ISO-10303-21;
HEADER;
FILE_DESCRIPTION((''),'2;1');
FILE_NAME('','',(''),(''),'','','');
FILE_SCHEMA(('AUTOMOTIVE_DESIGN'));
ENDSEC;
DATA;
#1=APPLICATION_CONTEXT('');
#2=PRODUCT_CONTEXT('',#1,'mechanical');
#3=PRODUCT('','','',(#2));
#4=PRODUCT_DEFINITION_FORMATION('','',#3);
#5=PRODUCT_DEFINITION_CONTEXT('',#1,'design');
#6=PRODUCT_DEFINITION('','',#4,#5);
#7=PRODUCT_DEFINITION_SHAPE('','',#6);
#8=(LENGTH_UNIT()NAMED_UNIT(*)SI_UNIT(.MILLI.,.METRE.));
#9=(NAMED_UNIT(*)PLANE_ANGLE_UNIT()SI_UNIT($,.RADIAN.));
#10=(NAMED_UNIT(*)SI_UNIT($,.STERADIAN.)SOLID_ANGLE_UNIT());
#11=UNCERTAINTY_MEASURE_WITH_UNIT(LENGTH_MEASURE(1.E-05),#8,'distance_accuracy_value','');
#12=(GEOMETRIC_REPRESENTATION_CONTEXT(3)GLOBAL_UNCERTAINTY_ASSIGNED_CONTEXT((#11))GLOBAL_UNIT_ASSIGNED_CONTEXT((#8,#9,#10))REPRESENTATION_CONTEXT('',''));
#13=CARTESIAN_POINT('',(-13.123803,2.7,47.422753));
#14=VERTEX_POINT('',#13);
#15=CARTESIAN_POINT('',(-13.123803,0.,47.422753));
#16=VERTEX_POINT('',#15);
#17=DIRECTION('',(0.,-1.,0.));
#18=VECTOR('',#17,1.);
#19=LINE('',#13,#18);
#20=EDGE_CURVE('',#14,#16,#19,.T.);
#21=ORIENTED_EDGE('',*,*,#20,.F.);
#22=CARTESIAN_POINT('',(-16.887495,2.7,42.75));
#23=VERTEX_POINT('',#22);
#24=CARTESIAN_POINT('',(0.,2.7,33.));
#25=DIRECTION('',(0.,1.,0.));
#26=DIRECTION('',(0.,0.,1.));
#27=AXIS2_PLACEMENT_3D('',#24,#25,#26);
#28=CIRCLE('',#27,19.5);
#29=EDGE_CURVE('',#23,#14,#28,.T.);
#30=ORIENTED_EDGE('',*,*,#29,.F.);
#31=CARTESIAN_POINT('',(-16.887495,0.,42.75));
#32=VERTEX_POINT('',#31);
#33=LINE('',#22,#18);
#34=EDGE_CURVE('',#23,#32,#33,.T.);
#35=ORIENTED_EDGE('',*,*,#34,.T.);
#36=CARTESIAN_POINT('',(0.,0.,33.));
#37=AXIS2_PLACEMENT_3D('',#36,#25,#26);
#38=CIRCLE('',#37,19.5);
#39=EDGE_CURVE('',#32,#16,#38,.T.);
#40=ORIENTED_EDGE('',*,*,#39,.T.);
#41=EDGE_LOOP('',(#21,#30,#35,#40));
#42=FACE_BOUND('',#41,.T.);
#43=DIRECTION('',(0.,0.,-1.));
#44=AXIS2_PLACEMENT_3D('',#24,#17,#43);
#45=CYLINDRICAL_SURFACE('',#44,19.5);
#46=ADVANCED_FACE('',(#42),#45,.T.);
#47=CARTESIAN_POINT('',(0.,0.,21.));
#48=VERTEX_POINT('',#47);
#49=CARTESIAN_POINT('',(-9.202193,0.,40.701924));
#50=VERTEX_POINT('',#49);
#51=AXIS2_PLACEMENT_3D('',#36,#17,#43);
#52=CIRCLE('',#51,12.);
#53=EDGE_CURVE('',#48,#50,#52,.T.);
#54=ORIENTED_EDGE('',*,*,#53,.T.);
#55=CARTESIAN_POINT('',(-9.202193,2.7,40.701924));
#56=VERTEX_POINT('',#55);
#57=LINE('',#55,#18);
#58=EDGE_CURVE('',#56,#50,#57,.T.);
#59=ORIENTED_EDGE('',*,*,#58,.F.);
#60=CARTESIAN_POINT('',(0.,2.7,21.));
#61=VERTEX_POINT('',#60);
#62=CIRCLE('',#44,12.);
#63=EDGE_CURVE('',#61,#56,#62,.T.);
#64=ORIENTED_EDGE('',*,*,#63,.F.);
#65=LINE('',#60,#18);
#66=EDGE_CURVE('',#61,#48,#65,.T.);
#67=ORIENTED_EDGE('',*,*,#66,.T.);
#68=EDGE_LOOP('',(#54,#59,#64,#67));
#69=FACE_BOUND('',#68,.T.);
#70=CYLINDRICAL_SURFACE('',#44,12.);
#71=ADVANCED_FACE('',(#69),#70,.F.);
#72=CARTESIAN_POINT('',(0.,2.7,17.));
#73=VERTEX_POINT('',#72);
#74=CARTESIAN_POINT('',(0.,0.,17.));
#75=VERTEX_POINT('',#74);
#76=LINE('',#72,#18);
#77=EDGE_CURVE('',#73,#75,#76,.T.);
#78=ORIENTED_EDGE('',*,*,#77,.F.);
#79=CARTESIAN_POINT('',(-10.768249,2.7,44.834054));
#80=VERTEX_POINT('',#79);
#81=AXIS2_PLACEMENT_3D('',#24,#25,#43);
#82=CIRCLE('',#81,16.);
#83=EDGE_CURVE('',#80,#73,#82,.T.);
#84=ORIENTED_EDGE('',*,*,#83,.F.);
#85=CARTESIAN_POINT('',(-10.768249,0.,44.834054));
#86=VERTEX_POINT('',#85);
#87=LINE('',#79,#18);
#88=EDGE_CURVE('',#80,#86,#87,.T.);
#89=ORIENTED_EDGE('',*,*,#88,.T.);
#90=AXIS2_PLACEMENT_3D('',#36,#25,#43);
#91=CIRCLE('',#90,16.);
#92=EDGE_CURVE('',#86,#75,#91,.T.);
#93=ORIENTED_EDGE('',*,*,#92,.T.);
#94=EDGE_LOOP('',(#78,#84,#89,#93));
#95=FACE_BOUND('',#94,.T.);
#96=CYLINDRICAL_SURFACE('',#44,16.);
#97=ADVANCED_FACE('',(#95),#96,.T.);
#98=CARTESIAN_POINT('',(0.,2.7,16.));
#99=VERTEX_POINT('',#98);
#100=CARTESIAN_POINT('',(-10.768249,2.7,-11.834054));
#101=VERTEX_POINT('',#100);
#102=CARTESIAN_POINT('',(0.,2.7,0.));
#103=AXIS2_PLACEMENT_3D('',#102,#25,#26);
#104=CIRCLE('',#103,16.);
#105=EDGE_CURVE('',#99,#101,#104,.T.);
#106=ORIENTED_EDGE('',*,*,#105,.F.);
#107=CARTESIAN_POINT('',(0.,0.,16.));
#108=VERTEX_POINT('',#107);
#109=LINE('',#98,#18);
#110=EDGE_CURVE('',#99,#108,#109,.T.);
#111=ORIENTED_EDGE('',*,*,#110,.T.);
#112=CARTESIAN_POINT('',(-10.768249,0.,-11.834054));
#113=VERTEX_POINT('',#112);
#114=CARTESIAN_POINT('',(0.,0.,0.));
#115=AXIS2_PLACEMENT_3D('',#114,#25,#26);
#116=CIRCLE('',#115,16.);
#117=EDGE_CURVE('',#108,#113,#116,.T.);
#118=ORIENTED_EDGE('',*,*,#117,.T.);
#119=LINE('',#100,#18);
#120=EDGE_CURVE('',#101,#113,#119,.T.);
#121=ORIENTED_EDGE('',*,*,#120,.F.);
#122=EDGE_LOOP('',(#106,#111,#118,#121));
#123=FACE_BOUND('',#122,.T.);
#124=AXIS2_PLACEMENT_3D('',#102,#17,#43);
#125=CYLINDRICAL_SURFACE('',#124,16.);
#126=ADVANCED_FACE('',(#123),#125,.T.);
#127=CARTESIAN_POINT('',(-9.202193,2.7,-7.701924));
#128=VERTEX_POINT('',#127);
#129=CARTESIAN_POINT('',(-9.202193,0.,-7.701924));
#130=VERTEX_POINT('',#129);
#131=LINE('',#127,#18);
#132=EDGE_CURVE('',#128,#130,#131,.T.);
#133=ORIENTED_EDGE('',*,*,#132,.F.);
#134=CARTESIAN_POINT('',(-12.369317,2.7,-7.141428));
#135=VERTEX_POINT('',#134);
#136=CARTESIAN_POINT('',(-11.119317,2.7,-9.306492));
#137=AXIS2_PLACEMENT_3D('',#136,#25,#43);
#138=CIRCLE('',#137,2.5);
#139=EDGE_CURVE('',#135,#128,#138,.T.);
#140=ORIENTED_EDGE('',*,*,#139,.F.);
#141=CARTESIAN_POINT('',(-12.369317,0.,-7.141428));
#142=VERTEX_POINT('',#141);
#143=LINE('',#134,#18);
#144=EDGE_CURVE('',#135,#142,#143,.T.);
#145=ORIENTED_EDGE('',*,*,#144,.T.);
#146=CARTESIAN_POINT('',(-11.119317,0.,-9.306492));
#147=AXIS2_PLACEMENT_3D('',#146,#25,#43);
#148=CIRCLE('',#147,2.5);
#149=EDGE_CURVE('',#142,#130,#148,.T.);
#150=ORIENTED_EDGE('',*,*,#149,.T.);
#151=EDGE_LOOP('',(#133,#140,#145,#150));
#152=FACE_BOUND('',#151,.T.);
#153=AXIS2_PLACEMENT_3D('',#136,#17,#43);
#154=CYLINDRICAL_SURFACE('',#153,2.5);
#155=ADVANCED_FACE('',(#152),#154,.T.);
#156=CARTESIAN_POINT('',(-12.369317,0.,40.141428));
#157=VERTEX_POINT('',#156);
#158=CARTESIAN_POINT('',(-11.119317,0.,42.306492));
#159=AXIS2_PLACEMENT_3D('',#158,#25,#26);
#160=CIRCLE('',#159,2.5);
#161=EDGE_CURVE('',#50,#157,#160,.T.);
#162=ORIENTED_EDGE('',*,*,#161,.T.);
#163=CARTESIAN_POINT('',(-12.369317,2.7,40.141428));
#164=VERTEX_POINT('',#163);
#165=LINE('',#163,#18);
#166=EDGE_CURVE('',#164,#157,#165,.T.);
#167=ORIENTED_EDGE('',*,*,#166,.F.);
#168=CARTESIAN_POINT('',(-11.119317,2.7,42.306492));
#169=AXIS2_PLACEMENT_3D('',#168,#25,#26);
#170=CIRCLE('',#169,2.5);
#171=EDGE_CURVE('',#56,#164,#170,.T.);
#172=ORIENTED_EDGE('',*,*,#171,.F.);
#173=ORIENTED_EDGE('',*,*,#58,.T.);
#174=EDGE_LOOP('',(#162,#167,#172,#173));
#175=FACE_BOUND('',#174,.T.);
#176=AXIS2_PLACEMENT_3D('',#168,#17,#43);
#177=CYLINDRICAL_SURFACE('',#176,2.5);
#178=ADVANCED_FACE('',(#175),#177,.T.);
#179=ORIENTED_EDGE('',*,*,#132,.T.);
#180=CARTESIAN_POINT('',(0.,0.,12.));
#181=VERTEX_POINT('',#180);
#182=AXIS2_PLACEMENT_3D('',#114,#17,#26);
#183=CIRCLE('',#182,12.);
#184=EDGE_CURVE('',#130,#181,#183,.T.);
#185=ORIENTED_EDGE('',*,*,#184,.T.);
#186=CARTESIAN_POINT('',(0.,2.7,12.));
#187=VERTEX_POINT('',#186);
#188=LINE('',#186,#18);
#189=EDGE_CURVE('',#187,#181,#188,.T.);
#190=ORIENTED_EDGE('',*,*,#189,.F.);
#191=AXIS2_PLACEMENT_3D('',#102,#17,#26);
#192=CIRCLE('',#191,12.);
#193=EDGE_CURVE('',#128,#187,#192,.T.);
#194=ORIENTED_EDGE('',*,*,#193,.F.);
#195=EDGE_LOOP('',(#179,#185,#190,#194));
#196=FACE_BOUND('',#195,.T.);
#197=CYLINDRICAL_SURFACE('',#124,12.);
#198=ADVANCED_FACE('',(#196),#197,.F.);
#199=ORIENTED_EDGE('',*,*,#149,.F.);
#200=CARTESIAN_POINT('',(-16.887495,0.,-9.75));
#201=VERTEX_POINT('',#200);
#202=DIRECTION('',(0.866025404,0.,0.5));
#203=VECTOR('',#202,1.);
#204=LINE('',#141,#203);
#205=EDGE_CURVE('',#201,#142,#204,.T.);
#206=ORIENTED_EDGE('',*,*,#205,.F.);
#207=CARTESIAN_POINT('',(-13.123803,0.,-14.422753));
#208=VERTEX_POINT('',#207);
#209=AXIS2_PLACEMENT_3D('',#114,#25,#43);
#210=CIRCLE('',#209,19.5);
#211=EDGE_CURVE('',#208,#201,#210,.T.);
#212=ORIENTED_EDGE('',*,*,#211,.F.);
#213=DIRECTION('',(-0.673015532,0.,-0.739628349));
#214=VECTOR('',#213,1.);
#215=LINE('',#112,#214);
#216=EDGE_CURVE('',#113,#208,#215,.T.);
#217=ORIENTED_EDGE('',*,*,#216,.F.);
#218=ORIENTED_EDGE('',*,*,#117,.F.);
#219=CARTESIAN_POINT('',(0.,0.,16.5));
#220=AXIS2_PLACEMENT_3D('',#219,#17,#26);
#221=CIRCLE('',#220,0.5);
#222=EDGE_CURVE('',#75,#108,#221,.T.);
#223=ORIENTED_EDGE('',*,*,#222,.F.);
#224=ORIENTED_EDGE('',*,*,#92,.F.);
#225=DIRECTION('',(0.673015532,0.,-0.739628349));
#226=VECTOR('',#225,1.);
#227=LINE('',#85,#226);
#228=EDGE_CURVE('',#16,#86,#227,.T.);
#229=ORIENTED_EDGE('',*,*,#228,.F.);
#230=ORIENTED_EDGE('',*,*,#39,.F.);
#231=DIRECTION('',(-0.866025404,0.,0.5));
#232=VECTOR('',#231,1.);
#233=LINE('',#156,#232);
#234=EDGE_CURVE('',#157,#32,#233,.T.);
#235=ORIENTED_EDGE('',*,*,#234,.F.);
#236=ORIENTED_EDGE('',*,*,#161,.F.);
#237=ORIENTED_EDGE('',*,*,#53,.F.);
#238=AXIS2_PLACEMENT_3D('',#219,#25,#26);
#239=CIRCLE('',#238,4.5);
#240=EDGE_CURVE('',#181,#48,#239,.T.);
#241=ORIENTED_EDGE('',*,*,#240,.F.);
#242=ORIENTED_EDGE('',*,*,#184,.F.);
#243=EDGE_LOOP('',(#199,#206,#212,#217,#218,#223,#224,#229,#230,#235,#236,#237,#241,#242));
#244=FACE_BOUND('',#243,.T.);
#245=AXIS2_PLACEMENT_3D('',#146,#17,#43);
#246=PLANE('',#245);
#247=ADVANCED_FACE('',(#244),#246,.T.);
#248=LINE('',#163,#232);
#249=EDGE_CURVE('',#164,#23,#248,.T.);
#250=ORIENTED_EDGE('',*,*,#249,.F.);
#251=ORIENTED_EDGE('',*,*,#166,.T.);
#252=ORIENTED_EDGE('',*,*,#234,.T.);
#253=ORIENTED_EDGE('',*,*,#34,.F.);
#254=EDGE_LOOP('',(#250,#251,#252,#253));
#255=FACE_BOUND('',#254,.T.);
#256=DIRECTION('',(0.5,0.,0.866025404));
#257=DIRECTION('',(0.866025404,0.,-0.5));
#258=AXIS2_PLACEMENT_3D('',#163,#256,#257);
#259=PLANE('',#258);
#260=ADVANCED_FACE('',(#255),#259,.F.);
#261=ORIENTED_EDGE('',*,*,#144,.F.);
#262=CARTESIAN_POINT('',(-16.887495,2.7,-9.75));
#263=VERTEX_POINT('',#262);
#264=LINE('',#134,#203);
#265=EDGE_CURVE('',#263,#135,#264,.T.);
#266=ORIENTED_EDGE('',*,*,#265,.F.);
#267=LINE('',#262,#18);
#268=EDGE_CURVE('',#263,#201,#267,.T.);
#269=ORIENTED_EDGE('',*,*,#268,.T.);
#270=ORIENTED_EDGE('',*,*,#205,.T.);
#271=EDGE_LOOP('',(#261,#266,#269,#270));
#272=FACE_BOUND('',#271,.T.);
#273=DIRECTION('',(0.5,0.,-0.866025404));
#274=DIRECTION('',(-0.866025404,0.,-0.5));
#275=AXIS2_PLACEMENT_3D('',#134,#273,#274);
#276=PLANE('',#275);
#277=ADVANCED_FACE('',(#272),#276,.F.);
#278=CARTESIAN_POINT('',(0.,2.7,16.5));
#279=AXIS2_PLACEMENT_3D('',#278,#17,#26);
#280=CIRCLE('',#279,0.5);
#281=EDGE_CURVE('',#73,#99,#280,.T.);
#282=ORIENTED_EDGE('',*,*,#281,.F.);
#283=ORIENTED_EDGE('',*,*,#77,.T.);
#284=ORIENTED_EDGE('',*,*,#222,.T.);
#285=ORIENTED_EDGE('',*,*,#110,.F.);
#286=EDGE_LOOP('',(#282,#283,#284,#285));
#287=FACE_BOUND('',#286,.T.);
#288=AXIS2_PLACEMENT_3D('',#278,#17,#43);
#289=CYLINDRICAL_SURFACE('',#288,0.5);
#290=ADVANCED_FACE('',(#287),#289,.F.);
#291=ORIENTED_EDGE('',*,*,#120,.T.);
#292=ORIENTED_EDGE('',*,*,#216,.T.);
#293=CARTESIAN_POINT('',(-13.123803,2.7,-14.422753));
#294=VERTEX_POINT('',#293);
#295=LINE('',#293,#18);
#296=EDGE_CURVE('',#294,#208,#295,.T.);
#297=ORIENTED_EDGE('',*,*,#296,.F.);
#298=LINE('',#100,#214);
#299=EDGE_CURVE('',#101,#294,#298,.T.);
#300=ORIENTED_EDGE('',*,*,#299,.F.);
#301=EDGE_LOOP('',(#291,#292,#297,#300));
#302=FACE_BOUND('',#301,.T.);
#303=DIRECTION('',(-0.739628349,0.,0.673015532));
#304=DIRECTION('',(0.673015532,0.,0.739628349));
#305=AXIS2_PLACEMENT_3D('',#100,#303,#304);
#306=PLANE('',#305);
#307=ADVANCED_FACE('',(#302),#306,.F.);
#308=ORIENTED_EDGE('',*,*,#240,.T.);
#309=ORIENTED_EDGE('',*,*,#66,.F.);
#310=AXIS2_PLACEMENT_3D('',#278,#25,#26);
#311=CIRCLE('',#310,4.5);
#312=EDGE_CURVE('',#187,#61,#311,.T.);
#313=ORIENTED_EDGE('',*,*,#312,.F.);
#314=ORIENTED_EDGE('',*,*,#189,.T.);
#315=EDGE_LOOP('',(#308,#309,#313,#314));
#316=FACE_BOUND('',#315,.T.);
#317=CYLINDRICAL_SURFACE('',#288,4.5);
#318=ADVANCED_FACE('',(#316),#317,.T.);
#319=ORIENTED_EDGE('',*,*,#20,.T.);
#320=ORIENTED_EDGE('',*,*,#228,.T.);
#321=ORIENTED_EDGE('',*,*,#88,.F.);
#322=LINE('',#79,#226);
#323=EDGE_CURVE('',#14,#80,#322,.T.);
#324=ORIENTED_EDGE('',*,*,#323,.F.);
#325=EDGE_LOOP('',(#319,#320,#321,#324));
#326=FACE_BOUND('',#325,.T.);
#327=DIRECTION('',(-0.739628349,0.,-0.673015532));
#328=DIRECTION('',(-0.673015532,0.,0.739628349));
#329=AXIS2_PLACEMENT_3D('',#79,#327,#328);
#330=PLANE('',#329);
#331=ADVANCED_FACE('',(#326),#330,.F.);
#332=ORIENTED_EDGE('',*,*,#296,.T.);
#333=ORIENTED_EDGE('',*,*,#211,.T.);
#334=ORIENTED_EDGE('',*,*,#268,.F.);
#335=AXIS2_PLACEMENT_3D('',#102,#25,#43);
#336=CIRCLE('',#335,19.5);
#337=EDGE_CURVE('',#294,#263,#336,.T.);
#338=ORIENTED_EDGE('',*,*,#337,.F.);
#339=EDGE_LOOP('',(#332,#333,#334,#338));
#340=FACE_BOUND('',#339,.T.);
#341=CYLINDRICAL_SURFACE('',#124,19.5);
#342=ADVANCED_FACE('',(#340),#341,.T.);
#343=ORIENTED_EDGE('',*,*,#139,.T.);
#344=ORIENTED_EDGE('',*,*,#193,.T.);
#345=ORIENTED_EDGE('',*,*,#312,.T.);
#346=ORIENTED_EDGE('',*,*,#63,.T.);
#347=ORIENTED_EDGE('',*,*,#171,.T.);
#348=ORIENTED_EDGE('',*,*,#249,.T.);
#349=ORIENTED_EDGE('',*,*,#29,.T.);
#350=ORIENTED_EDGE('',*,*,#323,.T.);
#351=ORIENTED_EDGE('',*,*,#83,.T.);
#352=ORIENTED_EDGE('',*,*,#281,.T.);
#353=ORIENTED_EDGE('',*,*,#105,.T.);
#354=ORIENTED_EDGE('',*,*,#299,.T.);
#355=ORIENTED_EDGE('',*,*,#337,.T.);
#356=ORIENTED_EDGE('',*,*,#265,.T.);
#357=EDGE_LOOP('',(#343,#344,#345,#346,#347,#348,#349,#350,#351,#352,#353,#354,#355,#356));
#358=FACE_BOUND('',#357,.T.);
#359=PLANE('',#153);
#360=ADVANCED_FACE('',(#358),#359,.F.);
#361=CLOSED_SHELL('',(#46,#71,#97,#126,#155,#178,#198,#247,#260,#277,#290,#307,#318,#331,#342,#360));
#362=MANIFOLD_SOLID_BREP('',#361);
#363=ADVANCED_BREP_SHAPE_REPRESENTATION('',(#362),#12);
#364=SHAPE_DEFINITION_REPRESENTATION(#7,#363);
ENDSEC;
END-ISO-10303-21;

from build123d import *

# Parameters (mm, degrees)
EXTRUDE_1_DEPTH = 2.7


with BuildPart() as part:
    # 草图1 → 凸台-拉伸1 (new body)
    with BuildSketch(Plane(origin=(0, 0, 0), x_dir=(1, 0, 0), z_dir=(0, 1, 0))):
        with BuildLine():
            Line((-12.369316877, 7.141428429), (-16.887495374, 9.75))
            ThreePointArc((-16.887495374, 9.75), (-15.186446596, 12.232000645), (-13.123802868, 14.422752799))
            Line((-13.123802868, 14.422752799), (-10.768248507, 11.834053578))
            ThreePointArc((-10.768248507, 11.834053578), (14.922212592, 5.77300367), (0, -16))
            ThreePointArc((0, -16), (-0.5, -16.5), (0, -17))
            ThreePointArc((0, -17), (14.922212592, -38.77300367), (-10.768248507, -44.834053578))
            Line((-10.768248507, -44.834053578), (-13.123802868, -47.422752799))
            ThreePointArc((-13.123802868, -47.422752799), (-15.186446596, -45.232000645), (-16.887495374, -42.75))
            Line((-16.887495374, -42.75), (-12.369316877, -40.141428429))
            ThreePointArc((-12.369316877, -40.141428429), (-10.683653707, -39.844745078), (-9.202193277, -40.701924362))
            ThreePointArc((-9.202193277, -40.701924362), (10.872513333, -38.078233337), (0, -21))
            ThreePointArc((0, -21), (-4.5, -16.5), (0, -12))
            ThreePointArc((0, -12), (10.872513333, 5.078233337), (-9.202193277, 7.701924362))
            ThreePointArc((-9.202193277, 7.701924362), (-10.683653707, 6.844745078), (-12.369316877, 7.141428429))
        make_face()
    extrude(amount=EXTRUDE_1_DEPTH)


solid = part.part
